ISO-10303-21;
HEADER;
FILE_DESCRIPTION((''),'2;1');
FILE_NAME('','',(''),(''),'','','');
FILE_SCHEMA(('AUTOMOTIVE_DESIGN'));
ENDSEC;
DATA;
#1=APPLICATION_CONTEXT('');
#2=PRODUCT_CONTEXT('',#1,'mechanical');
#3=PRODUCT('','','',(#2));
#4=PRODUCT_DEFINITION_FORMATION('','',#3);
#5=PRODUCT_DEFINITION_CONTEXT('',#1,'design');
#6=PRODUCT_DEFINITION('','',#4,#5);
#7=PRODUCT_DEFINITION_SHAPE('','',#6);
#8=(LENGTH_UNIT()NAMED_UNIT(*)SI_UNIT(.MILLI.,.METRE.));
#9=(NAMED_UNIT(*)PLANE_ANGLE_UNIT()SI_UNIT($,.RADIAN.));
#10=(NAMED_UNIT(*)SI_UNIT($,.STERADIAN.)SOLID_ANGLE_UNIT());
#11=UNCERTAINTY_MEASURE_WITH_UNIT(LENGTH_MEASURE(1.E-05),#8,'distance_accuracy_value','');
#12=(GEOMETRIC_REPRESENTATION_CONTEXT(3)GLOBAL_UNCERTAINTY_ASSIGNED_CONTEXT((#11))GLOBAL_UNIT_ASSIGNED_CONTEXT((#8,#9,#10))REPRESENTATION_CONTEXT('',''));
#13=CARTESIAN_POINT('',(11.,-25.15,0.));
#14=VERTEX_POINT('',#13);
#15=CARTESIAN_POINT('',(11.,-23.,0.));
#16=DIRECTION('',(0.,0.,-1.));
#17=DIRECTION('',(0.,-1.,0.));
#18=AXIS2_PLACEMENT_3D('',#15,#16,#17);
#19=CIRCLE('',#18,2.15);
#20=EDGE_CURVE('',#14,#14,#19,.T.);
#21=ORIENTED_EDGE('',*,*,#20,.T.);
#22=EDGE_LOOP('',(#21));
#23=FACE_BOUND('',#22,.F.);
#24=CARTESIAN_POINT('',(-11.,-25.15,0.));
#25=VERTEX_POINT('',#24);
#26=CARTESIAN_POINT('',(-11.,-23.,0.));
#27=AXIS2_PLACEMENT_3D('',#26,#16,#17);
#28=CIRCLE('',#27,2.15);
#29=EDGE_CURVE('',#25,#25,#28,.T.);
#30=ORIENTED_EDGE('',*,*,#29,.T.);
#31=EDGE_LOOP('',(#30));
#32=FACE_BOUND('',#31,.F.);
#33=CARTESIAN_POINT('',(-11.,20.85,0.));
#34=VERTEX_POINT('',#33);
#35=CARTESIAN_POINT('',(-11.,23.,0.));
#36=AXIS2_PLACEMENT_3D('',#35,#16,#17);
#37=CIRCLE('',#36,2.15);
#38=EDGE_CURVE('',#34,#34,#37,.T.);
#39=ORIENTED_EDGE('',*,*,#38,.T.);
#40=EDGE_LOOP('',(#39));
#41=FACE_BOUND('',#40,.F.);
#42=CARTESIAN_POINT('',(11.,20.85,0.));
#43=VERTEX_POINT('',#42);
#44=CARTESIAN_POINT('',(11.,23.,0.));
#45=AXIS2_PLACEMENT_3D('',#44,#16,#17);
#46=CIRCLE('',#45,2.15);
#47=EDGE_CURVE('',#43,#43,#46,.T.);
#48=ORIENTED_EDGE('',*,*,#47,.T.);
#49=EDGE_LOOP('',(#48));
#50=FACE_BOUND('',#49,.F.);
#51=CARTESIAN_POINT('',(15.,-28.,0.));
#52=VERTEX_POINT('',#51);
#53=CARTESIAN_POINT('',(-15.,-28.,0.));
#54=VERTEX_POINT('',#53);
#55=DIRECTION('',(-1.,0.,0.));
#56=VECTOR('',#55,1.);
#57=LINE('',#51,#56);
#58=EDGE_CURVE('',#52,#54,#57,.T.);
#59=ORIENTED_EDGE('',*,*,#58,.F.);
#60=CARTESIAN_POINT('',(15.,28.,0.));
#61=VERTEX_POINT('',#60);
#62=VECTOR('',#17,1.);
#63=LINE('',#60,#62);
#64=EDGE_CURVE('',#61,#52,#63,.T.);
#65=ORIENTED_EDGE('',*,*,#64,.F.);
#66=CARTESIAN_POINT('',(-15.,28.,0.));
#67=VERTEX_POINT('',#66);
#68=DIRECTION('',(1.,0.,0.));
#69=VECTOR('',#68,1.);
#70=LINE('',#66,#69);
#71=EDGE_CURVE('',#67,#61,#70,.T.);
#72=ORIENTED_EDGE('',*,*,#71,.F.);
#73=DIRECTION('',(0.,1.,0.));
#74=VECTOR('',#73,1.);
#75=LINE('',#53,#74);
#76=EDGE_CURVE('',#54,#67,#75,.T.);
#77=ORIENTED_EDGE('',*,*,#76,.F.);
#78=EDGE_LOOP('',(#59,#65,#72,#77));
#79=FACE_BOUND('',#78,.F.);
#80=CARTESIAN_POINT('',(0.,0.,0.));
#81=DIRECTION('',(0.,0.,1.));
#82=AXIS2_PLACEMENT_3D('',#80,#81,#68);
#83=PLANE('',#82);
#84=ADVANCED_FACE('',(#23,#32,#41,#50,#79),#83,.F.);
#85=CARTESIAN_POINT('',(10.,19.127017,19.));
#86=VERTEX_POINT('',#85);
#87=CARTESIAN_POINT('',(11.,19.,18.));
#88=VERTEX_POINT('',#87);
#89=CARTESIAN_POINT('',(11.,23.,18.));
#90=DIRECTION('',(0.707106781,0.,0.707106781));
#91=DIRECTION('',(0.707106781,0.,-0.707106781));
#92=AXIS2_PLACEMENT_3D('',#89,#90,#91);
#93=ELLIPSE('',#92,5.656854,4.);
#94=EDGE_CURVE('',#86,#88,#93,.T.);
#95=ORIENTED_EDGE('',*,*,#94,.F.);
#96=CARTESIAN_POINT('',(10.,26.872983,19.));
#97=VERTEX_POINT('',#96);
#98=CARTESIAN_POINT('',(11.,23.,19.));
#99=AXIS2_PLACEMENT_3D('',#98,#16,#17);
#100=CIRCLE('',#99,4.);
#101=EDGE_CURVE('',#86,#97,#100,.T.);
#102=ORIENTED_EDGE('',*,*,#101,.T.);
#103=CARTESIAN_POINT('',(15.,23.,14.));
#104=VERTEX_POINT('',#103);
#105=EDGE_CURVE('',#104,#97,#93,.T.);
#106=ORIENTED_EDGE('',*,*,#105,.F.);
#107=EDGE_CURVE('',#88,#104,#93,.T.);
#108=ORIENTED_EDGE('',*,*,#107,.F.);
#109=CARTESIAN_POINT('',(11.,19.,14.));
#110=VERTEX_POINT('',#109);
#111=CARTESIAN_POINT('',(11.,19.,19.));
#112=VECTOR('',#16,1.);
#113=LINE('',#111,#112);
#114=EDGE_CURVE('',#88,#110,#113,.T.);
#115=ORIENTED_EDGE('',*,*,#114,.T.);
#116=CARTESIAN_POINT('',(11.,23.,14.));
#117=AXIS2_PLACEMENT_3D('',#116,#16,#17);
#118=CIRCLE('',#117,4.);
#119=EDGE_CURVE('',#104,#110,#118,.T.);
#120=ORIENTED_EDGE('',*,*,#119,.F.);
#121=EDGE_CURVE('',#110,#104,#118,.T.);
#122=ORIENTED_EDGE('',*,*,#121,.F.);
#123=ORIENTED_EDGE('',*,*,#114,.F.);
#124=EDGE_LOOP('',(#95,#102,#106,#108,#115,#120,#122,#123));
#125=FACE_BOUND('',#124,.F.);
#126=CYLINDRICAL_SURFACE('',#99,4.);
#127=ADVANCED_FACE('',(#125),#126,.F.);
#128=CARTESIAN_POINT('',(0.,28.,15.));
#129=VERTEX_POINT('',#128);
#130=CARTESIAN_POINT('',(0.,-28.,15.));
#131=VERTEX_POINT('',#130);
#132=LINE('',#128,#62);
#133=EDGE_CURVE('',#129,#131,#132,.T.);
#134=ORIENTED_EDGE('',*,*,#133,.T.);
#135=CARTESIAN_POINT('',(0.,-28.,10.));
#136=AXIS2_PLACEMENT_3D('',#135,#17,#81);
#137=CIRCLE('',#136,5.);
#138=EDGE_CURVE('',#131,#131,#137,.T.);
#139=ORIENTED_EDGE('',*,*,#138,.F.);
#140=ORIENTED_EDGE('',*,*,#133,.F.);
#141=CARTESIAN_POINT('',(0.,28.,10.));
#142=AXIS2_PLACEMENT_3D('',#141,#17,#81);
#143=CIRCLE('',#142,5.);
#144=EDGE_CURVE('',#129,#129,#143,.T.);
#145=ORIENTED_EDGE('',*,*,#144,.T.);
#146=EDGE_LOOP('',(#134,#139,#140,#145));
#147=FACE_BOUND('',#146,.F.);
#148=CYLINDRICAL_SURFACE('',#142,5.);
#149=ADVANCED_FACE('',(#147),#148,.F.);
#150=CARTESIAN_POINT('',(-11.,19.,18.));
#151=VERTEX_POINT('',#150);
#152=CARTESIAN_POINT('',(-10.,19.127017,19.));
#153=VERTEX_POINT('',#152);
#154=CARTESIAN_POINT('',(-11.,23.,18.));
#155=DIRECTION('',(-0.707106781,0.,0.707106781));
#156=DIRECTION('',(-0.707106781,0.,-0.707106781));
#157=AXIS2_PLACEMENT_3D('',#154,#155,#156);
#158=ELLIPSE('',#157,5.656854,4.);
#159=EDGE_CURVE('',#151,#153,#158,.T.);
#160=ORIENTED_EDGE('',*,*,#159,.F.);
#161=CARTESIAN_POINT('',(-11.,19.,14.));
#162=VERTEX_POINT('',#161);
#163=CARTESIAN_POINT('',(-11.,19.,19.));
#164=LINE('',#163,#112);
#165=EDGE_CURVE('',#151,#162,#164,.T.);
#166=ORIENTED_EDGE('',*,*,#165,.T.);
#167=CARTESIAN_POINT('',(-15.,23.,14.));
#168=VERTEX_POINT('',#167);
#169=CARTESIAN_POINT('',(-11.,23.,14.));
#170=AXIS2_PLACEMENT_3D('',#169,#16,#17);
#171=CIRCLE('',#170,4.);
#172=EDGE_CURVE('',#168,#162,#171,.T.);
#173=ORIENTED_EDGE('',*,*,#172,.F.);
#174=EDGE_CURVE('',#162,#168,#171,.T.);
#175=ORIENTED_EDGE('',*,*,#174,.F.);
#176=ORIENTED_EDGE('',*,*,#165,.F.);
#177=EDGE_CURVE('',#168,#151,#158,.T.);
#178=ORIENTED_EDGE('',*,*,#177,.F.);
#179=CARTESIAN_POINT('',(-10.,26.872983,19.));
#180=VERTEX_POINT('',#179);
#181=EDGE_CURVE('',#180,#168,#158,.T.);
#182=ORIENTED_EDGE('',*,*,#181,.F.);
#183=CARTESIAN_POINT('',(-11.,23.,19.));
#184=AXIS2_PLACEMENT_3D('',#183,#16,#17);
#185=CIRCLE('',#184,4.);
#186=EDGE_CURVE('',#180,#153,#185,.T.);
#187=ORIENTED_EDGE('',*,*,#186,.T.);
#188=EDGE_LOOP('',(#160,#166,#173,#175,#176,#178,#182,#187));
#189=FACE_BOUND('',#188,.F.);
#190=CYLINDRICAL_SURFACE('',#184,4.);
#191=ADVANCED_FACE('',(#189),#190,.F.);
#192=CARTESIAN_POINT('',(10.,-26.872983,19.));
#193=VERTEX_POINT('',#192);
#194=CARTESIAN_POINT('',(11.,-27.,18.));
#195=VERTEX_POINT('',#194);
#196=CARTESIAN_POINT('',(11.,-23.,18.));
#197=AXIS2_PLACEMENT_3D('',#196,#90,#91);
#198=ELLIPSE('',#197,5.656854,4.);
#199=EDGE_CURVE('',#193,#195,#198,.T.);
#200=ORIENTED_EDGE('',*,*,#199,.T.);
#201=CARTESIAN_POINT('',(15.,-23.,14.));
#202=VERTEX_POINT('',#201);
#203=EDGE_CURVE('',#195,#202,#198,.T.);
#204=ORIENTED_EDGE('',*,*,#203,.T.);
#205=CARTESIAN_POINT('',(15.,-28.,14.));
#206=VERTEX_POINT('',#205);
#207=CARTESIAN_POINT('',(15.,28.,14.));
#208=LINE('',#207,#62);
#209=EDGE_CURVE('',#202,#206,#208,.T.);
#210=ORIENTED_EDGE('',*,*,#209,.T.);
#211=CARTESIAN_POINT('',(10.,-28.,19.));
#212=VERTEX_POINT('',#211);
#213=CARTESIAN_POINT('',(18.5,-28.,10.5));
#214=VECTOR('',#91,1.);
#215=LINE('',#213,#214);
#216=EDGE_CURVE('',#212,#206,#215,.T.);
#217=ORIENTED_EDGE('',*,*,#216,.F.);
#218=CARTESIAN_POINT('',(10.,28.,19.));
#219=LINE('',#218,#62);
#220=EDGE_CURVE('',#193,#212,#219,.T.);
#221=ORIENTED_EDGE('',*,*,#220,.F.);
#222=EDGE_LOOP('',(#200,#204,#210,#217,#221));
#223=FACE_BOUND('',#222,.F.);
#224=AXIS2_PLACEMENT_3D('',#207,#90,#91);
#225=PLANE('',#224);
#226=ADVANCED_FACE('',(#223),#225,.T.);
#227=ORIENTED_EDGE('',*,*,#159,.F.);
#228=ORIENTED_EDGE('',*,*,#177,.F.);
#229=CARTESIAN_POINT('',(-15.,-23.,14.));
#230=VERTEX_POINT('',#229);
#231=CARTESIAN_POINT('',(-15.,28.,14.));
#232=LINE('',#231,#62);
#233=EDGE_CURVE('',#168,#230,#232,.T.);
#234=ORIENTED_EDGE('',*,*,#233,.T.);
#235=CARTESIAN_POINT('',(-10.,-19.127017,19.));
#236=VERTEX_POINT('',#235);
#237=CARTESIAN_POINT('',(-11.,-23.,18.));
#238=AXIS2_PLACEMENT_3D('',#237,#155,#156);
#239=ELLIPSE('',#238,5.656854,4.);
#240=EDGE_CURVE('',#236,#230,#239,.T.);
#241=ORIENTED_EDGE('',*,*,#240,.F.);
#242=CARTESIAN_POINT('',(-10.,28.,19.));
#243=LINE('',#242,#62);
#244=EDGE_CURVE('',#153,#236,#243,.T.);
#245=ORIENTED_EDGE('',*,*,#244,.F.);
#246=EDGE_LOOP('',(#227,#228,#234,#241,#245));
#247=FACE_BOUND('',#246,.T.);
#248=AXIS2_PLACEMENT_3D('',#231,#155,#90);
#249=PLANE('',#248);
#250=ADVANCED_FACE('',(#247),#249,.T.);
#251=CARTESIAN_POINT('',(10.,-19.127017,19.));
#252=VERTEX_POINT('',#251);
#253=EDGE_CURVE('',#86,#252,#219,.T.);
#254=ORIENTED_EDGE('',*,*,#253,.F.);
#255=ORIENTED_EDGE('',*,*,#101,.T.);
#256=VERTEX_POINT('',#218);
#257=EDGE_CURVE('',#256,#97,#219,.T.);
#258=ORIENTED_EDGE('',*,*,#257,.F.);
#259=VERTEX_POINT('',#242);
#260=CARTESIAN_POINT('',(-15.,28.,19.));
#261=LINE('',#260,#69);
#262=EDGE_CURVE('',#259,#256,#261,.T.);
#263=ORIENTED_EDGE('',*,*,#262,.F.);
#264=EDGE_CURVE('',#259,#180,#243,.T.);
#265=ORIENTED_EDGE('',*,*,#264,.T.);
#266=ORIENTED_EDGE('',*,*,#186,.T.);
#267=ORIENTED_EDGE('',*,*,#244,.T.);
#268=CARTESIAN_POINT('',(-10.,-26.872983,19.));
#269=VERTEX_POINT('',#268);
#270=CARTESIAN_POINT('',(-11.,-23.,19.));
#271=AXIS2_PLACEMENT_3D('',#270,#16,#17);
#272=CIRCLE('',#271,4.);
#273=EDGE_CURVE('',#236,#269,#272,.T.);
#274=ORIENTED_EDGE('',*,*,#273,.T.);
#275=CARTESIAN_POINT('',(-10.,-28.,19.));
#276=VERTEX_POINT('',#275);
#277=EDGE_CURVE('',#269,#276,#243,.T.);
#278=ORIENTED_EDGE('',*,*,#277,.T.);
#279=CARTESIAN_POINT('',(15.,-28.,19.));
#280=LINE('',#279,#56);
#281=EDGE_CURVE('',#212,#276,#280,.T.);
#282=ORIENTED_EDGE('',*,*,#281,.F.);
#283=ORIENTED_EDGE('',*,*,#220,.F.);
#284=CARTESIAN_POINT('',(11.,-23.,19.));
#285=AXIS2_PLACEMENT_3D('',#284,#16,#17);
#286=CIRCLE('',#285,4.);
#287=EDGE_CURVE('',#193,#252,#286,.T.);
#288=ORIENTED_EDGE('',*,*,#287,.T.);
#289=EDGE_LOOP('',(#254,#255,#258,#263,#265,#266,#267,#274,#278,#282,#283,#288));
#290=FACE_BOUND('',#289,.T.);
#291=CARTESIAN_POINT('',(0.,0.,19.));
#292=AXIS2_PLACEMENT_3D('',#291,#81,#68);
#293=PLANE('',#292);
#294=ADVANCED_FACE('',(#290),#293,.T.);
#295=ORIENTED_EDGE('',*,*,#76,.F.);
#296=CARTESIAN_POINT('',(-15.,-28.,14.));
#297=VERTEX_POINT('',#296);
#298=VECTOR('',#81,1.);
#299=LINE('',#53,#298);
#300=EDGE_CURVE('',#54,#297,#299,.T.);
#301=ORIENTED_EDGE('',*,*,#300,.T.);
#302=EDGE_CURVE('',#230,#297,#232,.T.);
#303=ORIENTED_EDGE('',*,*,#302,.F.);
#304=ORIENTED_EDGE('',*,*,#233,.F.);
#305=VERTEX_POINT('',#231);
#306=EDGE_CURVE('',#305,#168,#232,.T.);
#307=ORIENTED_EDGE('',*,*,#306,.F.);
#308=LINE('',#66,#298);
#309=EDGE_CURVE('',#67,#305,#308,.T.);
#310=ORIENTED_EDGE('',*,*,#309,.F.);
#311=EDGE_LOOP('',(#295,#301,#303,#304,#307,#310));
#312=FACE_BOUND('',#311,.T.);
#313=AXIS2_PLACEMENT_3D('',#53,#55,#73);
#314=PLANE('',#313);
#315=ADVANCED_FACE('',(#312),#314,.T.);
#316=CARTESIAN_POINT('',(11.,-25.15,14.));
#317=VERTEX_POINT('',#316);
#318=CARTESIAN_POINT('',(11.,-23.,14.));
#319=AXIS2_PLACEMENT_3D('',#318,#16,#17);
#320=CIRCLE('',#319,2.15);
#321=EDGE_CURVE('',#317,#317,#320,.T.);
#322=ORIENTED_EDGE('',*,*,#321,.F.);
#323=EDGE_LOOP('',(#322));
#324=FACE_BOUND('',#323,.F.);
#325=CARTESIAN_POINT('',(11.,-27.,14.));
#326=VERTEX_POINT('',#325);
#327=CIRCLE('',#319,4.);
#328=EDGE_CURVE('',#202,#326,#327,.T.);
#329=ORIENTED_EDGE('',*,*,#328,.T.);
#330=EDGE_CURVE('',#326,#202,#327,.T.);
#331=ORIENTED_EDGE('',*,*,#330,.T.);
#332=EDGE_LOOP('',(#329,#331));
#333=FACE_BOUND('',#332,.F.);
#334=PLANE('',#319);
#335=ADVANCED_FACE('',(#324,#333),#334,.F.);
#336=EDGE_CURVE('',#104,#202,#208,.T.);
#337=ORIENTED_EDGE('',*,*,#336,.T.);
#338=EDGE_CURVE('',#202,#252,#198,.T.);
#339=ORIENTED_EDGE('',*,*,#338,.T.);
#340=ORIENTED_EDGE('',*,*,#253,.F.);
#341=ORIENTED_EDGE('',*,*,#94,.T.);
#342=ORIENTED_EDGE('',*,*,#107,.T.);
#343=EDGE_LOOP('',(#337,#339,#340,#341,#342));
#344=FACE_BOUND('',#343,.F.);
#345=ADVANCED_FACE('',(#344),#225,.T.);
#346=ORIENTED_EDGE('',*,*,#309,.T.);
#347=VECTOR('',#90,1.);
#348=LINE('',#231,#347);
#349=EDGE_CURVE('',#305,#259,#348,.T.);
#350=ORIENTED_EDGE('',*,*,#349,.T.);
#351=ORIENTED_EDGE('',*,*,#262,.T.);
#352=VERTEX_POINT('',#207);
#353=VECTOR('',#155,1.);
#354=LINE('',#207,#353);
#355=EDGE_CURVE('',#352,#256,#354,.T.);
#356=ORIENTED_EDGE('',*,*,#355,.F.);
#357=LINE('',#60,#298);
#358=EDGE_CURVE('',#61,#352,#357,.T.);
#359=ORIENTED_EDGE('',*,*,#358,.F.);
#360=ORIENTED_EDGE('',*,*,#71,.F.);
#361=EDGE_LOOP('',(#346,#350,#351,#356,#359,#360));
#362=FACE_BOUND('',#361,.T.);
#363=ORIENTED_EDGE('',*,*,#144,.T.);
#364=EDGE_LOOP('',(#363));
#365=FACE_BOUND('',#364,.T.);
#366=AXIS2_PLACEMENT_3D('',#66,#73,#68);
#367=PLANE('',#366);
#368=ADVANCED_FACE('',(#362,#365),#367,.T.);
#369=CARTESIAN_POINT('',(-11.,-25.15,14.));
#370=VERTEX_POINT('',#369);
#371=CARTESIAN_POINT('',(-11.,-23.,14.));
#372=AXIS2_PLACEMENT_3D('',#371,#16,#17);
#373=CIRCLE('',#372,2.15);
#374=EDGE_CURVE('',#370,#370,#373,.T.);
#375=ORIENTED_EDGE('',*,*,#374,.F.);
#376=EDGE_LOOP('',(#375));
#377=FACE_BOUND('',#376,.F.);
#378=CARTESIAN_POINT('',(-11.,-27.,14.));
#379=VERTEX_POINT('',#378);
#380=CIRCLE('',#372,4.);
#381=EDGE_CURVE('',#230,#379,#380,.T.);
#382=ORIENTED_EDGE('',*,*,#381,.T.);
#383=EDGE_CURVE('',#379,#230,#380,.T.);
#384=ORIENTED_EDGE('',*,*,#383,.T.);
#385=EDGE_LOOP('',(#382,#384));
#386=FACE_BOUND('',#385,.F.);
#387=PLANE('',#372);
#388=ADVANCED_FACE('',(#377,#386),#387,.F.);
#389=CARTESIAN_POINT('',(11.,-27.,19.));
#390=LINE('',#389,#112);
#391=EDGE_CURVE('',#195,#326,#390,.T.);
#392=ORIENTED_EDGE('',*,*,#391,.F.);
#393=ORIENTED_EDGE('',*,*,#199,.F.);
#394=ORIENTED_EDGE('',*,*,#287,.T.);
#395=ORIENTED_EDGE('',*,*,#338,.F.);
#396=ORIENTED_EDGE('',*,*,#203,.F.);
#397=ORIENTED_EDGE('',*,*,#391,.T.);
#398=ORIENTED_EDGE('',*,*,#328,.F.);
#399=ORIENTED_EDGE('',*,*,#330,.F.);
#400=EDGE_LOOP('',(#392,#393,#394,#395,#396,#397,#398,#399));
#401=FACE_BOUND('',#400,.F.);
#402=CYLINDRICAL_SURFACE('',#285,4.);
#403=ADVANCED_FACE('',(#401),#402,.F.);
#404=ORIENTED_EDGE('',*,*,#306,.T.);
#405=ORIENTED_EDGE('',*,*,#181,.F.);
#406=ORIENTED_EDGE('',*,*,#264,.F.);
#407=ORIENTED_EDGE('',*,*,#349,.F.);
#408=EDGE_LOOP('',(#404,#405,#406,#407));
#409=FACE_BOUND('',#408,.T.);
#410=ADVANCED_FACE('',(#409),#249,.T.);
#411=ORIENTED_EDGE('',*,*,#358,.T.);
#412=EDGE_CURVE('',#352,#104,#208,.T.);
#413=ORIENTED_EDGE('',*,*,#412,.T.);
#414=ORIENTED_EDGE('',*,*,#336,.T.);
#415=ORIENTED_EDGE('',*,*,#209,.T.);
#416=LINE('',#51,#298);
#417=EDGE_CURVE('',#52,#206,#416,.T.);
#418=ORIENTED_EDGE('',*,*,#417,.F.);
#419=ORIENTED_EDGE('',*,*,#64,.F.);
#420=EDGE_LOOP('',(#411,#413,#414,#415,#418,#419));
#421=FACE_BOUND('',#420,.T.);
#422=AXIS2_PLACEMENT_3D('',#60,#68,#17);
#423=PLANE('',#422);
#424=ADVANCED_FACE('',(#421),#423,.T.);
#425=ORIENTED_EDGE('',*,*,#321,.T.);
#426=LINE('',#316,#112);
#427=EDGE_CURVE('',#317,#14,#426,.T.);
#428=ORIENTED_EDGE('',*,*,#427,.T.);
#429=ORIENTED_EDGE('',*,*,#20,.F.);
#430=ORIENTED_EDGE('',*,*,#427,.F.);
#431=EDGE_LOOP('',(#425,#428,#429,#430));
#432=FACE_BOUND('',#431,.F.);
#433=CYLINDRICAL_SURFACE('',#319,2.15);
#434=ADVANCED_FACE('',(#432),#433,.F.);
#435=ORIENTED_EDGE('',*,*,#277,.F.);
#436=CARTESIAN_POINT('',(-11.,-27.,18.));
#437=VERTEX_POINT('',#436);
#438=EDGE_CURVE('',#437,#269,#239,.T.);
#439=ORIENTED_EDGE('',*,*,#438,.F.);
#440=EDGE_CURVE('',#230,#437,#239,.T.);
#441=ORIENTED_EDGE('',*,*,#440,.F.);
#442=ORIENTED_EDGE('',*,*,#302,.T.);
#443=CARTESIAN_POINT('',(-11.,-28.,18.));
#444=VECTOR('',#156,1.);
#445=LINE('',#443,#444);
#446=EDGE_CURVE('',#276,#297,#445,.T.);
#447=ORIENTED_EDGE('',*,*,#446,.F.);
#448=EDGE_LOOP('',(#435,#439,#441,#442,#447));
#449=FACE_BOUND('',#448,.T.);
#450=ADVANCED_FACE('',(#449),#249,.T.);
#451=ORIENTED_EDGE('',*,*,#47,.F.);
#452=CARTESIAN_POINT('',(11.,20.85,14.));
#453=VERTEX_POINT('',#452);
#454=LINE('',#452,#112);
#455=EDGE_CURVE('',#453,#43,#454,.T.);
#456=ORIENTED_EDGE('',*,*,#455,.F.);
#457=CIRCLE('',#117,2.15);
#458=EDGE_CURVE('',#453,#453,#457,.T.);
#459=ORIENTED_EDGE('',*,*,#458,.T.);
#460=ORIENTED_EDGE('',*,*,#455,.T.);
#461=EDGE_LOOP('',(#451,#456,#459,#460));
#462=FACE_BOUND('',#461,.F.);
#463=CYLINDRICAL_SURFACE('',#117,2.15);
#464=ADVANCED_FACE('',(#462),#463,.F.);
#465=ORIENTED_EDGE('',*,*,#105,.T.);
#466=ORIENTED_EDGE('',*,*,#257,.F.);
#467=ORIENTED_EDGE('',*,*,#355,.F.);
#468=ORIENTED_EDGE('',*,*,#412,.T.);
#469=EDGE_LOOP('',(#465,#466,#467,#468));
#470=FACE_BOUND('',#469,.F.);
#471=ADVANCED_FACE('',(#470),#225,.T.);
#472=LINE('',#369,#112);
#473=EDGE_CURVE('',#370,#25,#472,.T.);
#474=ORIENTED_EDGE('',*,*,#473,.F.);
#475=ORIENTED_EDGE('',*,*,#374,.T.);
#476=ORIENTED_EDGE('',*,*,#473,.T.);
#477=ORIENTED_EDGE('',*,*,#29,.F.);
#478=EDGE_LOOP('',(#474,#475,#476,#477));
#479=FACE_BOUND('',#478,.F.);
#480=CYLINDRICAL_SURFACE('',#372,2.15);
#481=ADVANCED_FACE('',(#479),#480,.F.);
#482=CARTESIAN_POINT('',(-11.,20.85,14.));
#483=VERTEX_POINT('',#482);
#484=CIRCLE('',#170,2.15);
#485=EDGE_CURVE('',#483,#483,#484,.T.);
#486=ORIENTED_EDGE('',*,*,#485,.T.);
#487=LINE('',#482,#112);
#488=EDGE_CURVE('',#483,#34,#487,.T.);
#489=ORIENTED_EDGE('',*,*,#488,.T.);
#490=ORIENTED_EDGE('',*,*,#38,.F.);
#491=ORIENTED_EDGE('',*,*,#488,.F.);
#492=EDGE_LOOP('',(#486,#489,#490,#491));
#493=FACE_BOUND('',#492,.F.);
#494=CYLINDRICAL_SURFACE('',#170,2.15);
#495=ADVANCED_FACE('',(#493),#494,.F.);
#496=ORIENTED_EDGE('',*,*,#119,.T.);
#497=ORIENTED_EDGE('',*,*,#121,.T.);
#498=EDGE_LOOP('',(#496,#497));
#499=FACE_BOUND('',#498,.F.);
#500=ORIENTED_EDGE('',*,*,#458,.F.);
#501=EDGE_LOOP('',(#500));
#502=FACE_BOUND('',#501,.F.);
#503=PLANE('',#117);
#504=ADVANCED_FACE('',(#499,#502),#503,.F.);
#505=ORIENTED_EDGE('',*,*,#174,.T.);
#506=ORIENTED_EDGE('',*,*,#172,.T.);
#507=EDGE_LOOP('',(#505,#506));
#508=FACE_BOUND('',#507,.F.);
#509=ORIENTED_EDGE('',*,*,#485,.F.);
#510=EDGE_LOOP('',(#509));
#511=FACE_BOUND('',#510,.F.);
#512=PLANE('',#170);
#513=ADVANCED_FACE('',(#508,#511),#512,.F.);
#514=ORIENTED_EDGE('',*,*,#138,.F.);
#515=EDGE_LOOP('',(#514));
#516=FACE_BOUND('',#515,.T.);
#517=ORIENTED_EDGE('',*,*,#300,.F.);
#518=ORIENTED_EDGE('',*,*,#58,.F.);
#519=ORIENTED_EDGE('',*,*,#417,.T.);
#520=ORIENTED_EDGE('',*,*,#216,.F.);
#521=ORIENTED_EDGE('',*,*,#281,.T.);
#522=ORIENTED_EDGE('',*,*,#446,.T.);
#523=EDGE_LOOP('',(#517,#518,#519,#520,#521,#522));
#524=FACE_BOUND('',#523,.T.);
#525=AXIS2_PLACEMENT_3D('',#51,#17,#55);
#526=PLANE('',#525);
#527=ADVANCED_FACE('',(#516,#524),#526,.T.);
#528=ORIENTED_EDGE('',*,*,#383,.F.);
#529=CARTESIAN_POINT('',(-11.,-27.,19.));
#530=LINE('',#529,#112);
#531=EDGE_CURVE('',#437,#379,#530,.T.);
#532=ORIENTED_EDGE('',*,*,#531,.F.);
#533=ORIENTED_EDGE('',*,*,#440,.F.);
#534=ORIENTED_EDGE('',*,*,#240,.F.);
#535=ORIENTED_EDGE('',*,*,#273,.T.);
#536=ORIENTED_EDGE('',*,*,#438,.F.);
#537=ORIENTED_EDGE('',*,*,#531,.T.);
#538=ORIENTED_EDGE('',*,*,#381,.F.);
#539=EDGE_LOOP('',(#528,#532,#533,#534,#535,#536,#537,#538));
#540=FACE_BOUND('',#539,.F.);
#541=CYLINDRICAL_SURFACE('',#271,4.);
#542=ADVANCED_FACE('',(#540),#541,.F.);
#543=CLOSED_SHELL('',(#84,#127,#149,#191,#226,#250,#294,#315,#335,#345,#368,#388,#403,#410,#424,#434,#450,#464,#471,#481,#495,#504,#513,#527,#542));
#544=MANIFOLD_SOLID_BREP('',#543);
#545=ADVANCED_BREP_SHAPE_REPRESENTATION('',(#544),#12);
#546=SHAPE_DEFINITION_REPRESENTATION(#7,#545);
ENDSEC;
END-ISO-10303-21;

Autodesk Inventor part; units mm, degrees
ref_plane "YZ Plane" through (0, 0, 0) normal (1, 0, 0) x (0, 1, 0)
ref_plane "XZ Plane" through (0, 0, 0) normal (0, 1, 0) x (-1, 0, 0)
ref_plane "XY Plane" through (0, 0, 0) normal (0, 0, 1) x (1, 0, 0)
sketch "スケッチ1" plane through (0, 0, 0) normal (0, 0, 1) x (1, 0, 0)
  line L0 (-15, 28) -> (15, 28)
  line L1 (15, 28) -> (15, -28)
  line L2 (15, -28) -> (-15, -28)
  line L3 (-15, -28) -> (-15, 28)
  point P0 (0, 0)
  point P1 (15, 0)
  point P2 (0, -28)
  dimension "d0" = 30
  dimension "d1" = 56
extrude "押し出し1" add sketch "スケッチ1" along normal blind 19
sketch "スケッチ2" plane through (0, 0, 19) normal (0, 0, 1) x (1, 0, 0)
  line L0 (-15, -28) -> (-15, 28) projected
  line L1 (15, -28) -> (-15, -28) projected
  point P0 (0, 0)
  point P1 (-11, -23)
  dimension "d4" = 4
  dimension "d5" = 5
hole "穴1" at (-11, -23, 19) direction (0, 0, -1) diameter 4.3 end through all counterbore diameter 8 counterbore depth 5
pattern_linear "矩形状パターン1" count 2 spacing 22 along (1, 0, 0) count 2 spacing 46 along (0, 1, 0) of "穴1"
sketch "スケッチ3" plane through (-15, 28, 0) normal (0, 1, 0) x (1, 0, 0)
  line L0 (0, 0) -> (30, 0) projected
  point P0 (15, 0)
  point P1 (15, -10)
  point P2 (15, 0)
  dimension "d19" = 10
hole "穴2" at (0, 28, 10) direction (0, -1, 0) diameter 10 end through all
sketch "スケッチ4" plane through (-15, 28, 0) normal (0, 1, 0) x (1, 0, 0)
  line L0 (0, -19) -> (30, -19) projected
  line L1 (0, 0) -> (0, -19) projected
  line L2 (0, -14) -> (5, -19)
  point P0 (15, 0)
  dimension "d30" = 5
  dimension "d31" = 5
extrude "押し出し2" cut sketch "スケッチ4" against normal through all
mirror "ミラー1" about plane through (0, 0, 0) normal (1, 0, 0) of "押し出し2"
properties part number "MHCAW10" material "MISUMI"
